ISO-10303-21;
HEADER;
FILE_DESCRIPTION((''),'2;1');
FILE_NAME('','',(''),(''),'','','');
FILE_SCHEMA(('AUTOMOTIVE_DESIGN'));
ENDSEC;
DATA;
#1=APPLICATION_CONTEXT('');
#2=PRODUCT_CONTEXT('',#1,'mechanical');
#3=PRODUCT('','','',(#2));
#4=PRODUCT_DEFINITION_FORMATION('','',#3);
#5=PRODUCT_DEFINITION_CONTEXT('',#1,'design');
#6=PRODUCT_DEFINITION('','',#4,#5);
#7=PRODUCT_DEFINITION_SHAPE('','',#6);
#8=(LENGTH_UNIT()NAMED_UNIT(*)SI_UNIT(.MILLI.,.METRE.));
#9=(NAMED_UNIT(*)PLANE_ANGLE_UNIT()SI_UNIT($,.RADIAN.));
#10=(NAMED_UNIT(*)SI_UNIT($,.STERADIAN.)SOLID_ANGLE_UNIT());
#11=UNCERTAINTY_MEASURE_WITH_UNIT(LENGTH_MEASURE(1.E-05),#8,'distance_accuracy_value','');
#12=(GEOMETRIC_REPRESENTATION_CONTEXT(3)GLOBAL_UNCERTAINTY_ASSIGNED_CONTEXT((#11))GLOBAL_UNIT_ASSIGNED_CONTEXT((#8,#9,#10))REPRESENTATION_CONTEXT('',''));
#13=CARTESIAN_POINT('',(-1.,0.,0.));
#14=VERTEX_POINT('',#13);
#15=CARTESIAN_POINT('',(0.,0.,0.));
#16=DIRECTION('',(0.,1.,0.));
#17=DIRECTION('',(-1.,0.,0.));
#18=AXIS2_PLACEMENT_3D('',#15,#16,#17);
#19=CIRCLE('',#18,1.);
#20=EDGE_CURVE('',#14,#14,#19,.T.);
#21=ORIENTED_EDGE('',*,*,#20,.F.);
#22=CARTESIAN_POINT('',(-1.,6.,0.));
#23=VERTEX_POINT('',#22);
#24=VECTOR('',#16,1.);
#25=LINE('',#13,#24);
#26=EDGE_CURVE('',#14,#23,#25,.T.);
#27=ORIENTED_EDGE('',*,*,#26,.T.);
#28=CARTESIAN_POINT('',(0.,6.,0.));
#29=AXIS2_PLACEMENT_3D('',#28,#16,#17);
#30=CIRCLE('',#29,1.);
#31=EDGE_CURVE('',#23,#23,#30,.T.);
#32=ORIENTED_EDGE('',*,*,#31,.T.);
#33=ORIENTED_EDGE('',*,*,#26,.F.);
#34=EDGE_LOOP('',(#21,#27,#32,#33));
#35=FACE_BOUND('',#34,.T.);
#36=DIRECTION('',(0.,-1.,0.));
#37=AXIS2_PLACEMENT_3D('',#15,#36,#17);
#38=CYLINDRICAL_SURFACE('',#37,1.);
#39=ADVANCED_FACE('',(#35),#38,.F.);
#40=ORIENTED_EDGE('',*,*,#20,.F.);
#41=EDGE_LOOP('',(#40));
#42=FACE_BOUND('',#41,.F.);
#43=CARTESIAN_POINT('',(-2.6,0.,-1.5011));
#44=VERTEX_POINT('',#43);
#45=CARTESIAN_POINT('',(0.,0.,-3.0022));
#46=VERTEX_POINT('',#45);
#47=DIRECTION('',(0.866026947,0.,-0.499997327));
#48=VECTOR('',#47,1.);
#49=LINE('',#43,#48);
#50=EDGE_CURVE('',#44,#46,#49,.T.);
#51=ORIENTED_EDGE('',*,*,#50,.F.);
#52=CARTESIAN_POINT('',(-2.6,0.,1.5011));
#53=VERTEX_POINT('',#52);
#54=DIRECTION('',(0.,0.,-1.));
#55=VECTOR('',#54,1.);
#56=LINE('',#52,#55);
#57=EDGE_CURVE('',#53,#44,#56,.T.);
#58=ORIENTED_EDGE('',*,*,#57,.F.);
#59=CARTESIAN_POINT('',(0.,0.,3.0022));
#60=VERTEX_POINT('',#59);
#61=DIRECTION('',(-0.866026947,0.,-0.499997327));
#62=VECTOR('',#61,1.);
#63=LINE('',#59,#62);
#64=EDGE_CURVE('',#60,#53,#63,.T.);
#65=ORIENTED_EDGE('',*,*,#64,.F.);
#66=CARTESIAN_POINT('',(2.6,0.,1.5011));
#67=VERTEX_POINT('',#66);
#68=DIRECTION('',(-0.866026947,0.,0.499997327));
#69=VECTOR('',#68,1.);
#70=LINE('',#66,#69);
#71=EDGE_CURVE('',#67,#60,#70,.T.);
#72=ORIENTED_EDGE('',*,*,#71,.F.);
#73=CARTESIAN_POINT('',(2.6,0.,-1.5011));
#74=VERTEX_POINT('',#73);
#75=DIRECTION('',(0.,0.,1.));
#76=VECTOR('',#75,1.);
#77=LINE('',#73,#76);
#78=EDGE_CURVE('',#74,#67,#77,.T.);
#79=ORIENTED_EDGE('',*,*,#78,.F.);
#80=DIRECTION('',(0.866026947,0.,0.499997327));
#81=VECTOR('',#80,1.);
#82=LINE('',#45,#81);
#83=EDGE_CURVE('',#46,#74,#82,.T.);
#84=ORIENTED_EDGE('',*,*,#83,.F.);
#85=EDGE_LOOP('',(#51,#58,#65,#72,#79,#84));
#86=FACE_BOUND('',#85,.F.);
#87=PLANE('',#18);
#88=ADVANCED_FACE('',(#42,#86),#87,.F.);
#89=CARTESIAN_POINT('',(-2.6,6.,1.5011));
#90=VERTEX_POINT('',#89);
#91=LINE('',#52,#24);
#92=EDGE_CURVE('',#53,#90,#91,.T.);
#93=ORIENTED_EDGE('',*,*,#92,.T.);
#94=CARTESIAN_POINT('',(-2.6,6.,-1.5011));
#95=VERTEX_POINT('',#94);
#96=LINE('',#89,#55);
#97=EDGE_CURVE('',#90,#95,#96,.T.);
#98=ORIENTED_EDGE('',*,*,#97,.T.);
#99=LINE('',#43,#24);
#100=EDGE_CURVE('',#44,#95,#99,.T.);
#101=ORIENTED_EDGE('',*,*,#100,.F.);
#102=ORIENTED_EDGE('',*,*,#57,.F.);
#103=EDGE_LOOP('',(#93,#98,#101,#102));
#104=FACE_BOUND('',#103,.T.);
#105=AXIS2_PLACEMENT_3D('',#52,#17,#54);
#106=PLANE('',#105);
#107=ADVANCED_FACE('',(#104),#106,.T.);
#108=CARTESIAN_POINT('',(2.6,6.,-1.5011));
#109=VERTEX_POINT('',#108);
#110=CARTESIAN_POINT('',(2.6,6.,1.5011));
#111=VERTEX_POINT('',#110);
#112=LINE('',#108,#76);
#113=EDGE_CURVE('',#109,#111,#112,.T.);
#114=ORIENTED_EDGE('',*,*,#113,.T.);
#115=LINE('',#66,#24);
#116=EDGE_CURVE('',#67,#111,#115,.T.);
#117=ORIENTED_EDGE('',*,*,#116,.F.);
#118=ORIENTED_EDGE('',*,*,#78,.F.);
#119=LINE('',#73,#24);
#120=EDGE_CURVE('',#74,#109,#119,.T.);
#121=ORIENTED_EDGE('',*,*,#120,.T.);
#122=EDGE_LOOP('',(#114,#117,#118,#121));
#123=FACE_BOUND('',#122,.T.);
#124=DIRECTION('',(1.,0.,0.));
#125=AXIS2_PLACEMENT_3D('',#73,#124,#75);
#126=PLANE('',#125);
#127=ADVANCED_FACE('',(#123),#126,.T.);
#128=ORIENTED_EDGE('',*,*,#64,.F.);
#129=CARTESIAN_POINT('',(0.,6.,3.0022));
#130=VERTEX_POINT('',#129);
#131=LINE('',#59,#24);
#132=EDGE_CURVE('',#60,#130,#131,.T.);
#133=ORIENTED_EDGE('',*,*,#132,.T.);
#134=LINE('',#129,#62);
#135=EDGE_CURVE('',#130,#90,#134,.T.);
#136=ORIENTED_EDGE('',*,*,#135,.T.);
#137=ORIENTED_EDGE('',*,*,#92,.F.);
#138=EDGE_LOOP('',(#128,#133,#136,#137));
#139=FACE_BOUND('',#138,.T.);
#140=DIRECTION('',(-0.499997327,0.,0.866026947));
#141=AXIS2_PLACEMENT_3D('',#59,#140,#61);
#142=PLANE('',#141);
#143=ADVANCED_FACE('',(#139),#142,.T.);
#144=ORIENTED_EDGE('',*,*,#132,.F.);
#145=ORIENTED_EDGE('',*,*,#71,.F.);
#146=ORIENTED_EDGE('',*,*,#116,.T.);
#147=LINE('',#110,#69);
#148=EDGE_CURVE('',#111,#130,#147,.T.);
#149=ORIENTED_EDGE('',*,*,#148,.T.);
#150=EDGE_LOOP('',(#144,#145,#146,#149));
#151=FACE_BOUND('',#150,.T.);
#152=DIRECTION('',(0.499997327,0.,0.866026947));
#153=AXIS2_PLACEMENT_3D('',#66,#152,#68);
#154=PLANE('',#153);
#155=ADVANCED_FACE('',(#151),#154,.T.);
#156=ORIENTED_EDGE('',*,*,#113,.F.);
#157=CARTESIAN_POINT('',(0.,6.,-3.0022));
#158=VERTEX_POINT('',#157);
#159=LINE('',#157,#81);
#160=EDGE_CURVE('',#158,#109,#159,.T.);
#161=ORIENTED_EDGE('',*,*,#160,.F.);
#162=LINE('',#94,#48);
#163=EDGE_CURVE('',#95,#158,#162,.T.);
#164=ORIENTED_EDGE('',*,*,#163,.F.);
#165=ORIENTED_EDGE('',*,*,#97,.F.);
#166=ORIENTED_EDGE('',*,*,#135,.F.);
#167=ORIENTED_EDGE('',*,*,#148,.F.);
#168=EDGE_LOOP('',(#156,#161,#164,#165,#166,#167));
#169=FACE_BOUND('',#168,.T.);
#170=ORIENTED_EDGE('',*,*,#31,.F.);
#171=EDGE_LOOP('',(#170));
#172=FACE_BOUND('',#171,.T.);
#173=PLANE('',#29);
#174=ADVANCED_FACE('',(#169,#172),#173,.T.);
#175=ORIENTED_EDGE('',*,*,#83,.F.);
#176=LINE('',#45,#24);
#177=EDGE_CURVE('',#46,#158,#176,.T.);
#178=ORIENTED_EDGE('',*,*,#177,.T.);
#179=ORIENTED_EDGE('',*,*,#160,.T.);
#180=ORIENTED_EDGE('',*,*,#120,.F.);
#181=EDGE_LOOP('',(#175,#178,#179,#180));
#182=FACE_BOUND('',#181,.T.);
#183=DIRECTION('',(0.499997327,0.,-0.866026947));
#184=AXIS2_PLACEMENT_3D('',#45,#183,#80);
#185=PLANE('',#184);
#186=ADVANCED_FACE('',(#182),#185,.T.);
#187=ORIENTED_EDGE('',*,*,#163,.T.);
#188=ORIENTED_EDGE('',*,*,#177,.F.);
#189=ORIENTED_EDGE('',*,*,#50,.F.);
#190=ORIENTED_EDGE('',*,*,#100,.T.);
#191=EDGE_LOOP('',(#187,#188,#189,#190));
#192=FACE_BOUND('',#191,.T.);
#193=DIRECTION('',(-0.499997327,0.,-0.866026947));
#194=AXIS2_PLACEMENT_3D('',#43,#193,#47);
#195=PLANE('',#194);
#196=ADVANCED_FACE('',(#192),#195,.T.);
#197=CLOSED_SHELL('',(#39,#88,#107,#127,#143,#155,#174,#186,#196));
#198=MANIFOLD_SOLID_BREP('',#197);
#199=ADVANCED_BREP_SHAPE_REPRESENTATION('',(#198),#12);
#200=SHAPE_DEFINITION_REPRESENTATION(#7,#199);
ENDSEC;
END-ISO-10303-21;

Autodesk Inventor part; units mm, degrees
ref_plane "YZ Plane" through (0, 0, 0) normal (1, 0, 0) x (0, 1, 0)
ref_plane "XZ Plane" through (0, 0, 0) normal (0, 1, 0) x (-1, 0, 0)
ref_plane "XY Plane" through (0, 0, 0) normal (0, 0, 1) x (1, 0, 0)
sketch "Sketch1" plane through (0, 0, 0) normal (0, 1, 0) x (-1, 0, 0)
  line L0 (0, -3.0022) -> (-2.6, -1.5011)
  line L1 (-2.6, -1.5011) -> (-2.6, 1.5011)
  line L2 (-2.6, 1.5011) -> (0, 3.0022)
  line L3 (0, 3.0022) -> (2.6, 1.5011)
  line L4 (2.6, 1.5011) -> (2.6, -1.5011)
  line L5 (2.6, -1.5011) -> (0, -3.0022)
  circle A0 centre (0, 0) radius 1
  dimension "d0" = 5.2
  dimension "d1" = 2
extrude "Extrusion1" add sketch "Sketch1" along normal blind 6
properties part number "standoff_20mm" material "Stainless Steel"
